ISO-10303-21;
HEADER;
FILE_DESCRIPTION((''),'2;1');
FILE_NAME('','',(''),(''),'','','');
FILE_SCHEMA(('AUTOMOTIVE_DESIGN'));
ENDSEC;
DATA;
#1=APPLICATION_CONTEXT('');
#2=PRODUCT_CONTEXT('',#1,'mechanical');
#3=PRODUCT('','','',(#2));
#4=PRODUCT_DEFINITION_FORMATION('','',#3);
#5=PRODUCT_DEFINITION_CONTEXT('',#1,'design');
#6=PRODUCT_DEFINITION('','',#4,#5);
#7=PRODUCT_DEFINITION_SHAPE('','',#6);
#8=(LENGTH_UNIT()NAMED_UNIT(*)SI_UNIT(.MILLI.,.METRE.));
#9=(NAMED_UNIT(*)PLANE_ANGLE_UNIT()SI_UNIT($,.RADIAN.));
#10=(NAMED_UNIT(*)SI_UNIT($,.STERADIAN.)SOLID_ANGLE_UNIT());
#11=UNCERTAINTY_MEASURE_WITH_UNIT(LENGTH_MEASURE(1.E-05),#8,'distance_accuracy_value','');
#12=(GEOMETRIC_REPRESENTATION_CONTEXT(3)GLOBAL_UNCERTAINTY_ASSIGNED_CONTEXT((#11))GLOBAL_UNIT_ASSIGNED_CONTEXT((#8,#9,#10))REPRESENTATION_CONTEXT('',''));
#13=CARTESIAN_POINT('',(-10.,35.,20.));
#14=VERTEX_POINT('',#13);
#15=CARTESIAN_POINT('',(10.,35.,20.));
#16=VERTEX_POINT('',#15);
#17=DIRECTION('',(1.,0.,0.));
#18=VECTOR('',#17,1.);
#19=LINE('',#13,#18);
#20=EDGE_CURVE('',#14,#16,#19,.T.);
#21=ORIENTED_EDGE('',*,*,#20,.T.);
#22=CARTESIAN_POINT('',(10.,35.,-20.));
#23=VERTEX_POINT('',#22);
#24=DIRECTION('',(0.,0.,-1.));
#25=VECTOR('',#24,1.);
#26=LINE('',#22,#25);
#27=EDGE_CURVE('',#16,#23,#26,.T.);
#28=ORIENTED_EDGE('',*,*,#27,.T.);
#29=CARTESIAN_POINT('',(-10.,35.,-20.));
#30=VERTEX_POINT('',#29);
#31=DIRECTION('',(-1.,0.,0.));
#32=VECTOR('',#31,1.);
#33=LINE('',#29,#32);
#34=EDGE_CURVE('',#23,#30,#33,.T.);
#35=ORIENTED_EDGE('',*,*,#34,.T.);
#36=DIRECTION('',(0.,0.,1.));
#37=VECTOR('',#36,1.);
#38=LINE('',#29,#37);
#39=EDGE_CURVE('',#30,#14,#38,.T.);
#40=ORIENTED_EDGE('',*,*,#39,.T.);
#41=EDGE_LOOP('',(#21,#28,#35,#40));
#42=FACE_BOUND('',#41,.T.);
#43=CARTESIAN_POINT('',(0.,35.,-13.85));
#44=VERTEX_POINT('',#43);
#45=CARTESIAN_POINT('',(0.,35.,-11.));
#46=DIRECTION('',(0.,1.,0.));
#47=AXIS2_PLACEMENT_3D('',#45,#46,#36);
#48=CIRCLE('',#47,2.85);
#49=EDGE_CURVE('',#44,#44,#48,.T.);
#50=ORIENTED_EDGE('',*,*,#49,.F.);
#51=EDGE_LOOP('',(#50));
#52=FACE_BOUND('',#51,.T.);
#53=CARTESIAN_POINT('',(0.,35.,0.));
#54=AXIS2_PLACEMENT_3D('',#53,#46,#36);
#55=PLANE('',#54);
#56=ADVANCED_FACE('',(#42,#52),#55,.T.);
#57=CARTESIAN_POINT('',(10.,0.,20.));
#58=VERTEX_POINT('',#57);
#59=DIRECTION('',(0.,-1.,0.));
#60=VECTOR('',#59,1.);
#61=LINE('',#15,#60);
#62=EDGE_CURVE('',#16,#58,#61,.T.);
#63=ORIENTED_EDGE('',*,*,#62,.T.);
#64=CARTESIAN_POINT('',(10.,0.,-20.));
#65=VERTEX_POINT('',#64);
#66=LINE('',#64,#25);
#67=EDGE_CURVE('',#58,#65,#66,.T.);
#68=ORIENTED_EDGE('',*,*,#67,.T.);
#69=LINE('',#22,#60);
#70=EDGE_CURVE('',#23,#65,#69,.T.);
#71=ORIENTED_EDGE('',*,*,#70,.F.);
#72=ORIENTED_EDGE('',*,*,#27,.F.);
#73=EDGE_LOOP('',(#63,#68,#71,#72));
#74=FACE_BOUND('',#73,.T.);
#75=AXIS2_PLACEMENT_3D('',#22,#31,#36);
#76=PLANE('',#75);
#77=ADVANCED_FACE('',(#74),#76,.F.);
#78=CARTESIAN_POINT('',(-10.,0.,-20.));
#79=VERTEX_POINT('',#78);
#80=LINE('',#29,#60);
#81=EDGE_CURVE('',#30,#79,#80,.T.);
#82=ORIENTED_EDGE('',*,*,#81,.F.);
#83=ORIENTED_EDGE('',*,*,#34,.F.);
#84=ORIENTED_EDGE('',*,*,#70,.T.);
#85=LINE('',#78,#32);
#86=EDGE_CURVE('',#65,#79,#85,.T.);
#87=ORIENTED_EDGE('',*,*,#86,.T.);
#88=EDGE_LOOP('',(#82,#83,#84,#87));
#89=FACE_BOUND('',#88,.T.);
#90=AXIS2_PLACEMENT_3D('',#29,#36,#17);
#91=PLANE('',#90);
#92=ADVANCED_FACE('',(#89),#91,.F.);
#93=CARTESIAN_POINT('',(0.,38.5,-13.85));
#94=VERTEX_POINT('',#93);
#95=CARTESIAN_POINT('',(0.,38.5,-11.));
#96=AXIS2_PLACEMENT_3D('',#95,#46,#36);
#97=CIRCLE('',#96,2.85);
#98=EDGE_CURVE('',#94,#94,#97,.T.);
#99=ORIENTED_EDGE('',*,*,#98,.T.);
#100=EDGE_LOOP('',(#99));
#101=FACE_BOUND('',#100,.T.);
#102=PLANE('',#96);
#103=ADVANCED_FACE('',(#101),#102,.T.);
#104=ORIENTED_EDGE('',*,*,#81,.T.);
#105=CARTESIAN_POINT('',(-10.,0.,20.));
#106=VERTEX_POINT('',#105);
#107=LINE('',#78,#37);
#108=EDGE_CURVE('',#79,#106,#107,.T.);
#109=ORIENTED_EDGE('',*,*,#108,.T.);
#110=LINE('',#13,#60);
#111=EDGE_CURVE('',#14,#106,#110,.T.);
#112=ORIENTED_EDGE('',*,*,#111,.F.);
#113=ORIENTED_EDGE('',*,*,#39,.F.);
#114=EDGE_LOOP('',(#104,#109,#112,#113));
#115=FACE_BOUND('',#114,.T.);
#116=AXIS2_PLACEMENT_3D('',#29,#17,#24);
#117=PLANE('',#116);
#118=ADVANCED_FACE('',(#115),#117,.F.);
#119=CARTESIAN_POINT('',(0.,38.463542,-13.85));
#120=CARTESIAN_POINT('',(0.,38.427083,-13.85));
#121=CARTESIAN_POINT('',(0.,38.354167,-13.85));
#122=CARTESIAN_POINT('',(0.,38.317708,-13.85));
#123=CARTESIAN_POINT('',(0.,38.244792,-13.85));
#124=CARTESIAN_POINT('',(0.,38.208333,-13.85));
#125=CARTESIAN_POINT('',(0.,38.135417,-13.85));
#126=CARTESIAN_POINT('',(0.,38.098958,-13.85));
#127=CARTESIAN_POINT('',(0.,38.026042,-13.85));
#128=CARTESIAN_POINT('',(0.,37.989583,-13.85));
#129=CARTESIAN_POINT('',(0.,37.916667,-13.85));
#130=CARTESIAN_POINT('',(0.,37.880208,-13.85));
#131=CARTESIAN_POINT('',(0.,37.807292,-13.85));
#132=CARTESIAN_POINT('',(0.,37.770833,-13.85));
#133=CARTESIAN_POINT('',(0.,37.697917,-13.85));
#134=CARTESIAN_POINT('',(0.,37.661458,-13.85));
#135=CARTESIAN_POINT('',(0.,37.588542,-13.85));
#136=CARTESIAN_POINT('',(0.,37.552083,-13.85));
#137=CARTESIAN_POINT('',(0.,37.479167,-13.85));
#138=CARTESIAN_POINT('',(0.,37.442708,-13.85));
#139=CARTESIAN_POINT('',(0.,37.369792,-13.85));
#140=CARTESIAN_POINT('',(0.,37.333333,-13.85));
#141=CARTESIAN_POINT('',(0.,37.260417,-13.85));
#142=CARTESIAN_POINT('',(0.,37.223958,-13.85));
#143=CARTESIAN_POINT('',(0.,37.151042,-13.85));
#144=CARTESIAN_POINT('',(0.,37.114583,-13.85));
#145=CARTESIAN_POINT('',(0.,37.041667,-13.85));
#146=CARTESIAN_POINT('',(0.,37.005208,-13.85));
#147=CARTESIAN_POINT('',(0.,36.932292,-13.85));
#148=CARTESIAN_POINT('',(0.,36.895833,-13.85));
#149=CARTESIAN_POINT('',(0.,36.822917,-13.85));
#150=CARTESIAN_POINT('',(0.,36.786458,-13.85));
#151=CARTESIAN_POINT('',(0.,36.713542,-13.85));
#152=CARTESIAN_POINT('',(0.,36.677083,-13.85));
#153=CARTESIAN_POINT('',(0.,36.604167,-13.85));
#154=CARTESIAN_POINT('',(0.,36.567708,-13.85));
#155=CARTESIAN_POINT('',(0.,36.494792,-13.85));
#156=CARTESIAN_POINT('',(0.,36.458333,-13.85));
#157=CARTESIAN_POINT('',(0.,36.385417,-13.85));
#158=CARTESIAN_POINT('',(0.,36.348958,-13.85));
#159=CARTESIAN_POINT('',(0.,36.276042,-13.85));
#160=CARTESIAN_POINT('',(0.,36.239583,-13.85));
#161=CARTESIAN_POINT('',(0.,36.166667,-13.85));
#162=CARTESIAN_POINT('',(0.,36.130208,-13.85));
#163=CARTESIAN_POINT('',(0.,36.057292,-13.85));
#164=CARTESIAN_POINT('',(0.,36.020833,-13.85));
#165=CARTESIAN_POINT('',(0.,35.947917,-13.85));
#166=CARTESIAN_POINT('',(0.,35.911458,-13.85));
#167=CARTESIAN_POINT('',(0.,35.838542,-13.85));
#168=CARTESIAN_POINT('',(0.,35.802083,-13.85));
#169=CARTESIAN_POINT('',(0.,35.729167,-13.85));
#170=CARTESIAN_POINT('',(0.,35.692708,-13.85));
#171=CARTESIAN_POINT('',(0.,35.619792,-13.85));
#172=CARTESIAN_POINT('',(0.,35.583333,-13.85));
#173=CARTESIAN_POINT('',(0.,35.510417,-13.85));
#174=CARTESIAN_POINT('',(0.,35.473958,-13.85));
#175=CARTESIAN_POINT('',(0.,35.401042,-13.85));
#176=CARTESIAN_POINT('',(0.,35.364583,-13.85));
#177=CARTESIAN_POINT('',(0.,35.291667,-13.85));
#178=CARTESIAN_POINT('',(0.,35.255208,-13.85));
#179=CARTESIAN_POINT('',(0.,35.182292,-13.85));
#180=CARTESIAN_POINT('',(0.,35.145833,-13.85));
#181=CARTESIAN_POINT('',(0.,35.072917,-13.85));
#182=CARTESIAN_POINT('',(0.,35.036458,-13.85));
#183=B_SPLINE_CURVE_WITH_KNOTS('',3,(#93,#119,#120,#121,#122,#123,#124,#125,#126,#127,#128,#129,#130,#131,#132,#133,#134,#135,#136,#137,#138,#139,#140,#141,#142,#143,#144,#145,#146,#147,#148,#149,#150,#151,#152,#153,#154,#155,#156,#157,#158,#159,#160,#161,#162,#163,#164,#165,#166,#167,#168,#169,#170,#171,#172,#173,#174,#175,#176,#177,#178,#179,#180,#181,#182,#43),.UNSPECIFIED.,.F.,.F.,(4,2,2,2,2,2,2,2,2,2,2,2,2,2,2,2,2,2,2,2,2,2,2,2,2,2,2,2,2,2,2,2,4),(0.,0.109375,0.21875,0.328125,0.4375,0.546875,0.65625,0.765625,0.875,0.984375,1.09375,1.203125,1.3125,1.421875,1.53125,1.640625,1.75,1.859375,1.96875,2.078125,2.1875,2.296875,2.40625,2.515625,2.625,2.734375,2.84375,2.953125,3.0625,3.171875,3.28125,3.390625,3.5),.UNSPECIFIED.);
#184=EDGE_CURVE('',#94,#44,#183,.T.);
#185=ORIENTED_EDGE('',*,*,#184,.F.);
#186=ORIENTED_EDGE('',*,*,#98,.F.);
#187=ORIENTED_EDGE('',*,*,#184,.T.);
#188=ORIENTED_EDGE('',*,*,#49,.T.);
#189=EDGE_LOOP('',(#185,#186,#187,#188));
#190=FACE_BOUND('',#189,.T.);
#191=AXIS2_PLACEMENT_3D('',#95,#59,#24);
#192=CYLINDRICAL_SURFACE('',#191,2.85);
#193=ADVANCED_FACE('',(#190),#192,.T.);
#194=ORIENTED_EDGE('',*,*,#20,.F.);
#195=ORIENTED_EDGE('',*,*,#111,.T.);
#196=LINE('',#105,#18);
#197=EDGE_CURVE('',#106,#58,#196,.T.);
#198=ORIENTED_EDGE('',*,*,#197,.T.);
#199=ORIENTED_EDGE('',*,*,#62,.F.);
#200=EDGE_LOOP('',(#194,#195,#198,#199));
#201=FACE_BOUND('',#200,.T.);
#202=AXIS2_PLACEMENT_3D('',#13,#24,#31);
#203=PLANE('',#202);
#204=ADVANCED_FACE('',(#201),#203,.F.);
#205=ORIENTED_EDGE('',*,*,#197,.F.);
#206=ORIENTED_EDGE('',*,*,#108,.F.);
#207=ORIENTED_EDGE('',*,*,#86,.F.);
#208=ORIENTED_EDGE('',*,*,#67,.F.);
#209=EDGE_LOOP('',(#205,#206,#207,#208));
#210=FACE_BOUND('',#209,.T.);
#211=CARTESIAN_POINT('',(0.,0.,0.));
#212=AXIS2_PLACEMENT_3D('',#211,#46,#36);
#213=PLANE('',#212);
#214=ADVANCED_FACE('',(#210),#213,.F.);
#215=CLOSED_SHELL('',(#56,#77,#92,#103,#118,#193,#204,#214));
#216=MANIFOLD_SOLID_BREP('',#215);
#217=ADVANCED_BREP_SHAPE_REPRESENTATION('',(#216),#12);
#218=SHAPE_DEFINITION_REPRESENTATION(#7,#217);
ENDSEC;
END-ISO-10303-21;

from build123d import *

# Parameters (mm, degrees)
SKETCH2_W           = 20
SKETCH2_H           = 40
BOSS_EXTRUDE1_DEPTH = 35
SKETCH3_R           = 2.85
BOSS_EXTRUDE2_DEPTH = 3.5


with BuildPart() as part:
    # Sketch2 → Boss-Extrude1 (new body)
    with BuildSketch(Plane(origin=(0, 0, 0), x_dir=(1, 0, 0), z_dir=(0, 1, 0))):
        Rectangle(SKETCH2_W, SKETCH2_H)
    extrude(amount=BOSS_EXTRUDE1_DEPTH)

    # Sketch3 → Boss-Extrude2 (add)
    with BuildSketch(Plane(origin=(0, 35, 0), x_dir=(1, 0, 0), z_dir=(0, 1, 0))):
        with Locations(Location((0, 11, 0), (0, 0, 90))):
            Circle(SKETCH3_R)
    extrude(amount=BOSS_EXTRUDE2_DEPTH)


solid = part.part
